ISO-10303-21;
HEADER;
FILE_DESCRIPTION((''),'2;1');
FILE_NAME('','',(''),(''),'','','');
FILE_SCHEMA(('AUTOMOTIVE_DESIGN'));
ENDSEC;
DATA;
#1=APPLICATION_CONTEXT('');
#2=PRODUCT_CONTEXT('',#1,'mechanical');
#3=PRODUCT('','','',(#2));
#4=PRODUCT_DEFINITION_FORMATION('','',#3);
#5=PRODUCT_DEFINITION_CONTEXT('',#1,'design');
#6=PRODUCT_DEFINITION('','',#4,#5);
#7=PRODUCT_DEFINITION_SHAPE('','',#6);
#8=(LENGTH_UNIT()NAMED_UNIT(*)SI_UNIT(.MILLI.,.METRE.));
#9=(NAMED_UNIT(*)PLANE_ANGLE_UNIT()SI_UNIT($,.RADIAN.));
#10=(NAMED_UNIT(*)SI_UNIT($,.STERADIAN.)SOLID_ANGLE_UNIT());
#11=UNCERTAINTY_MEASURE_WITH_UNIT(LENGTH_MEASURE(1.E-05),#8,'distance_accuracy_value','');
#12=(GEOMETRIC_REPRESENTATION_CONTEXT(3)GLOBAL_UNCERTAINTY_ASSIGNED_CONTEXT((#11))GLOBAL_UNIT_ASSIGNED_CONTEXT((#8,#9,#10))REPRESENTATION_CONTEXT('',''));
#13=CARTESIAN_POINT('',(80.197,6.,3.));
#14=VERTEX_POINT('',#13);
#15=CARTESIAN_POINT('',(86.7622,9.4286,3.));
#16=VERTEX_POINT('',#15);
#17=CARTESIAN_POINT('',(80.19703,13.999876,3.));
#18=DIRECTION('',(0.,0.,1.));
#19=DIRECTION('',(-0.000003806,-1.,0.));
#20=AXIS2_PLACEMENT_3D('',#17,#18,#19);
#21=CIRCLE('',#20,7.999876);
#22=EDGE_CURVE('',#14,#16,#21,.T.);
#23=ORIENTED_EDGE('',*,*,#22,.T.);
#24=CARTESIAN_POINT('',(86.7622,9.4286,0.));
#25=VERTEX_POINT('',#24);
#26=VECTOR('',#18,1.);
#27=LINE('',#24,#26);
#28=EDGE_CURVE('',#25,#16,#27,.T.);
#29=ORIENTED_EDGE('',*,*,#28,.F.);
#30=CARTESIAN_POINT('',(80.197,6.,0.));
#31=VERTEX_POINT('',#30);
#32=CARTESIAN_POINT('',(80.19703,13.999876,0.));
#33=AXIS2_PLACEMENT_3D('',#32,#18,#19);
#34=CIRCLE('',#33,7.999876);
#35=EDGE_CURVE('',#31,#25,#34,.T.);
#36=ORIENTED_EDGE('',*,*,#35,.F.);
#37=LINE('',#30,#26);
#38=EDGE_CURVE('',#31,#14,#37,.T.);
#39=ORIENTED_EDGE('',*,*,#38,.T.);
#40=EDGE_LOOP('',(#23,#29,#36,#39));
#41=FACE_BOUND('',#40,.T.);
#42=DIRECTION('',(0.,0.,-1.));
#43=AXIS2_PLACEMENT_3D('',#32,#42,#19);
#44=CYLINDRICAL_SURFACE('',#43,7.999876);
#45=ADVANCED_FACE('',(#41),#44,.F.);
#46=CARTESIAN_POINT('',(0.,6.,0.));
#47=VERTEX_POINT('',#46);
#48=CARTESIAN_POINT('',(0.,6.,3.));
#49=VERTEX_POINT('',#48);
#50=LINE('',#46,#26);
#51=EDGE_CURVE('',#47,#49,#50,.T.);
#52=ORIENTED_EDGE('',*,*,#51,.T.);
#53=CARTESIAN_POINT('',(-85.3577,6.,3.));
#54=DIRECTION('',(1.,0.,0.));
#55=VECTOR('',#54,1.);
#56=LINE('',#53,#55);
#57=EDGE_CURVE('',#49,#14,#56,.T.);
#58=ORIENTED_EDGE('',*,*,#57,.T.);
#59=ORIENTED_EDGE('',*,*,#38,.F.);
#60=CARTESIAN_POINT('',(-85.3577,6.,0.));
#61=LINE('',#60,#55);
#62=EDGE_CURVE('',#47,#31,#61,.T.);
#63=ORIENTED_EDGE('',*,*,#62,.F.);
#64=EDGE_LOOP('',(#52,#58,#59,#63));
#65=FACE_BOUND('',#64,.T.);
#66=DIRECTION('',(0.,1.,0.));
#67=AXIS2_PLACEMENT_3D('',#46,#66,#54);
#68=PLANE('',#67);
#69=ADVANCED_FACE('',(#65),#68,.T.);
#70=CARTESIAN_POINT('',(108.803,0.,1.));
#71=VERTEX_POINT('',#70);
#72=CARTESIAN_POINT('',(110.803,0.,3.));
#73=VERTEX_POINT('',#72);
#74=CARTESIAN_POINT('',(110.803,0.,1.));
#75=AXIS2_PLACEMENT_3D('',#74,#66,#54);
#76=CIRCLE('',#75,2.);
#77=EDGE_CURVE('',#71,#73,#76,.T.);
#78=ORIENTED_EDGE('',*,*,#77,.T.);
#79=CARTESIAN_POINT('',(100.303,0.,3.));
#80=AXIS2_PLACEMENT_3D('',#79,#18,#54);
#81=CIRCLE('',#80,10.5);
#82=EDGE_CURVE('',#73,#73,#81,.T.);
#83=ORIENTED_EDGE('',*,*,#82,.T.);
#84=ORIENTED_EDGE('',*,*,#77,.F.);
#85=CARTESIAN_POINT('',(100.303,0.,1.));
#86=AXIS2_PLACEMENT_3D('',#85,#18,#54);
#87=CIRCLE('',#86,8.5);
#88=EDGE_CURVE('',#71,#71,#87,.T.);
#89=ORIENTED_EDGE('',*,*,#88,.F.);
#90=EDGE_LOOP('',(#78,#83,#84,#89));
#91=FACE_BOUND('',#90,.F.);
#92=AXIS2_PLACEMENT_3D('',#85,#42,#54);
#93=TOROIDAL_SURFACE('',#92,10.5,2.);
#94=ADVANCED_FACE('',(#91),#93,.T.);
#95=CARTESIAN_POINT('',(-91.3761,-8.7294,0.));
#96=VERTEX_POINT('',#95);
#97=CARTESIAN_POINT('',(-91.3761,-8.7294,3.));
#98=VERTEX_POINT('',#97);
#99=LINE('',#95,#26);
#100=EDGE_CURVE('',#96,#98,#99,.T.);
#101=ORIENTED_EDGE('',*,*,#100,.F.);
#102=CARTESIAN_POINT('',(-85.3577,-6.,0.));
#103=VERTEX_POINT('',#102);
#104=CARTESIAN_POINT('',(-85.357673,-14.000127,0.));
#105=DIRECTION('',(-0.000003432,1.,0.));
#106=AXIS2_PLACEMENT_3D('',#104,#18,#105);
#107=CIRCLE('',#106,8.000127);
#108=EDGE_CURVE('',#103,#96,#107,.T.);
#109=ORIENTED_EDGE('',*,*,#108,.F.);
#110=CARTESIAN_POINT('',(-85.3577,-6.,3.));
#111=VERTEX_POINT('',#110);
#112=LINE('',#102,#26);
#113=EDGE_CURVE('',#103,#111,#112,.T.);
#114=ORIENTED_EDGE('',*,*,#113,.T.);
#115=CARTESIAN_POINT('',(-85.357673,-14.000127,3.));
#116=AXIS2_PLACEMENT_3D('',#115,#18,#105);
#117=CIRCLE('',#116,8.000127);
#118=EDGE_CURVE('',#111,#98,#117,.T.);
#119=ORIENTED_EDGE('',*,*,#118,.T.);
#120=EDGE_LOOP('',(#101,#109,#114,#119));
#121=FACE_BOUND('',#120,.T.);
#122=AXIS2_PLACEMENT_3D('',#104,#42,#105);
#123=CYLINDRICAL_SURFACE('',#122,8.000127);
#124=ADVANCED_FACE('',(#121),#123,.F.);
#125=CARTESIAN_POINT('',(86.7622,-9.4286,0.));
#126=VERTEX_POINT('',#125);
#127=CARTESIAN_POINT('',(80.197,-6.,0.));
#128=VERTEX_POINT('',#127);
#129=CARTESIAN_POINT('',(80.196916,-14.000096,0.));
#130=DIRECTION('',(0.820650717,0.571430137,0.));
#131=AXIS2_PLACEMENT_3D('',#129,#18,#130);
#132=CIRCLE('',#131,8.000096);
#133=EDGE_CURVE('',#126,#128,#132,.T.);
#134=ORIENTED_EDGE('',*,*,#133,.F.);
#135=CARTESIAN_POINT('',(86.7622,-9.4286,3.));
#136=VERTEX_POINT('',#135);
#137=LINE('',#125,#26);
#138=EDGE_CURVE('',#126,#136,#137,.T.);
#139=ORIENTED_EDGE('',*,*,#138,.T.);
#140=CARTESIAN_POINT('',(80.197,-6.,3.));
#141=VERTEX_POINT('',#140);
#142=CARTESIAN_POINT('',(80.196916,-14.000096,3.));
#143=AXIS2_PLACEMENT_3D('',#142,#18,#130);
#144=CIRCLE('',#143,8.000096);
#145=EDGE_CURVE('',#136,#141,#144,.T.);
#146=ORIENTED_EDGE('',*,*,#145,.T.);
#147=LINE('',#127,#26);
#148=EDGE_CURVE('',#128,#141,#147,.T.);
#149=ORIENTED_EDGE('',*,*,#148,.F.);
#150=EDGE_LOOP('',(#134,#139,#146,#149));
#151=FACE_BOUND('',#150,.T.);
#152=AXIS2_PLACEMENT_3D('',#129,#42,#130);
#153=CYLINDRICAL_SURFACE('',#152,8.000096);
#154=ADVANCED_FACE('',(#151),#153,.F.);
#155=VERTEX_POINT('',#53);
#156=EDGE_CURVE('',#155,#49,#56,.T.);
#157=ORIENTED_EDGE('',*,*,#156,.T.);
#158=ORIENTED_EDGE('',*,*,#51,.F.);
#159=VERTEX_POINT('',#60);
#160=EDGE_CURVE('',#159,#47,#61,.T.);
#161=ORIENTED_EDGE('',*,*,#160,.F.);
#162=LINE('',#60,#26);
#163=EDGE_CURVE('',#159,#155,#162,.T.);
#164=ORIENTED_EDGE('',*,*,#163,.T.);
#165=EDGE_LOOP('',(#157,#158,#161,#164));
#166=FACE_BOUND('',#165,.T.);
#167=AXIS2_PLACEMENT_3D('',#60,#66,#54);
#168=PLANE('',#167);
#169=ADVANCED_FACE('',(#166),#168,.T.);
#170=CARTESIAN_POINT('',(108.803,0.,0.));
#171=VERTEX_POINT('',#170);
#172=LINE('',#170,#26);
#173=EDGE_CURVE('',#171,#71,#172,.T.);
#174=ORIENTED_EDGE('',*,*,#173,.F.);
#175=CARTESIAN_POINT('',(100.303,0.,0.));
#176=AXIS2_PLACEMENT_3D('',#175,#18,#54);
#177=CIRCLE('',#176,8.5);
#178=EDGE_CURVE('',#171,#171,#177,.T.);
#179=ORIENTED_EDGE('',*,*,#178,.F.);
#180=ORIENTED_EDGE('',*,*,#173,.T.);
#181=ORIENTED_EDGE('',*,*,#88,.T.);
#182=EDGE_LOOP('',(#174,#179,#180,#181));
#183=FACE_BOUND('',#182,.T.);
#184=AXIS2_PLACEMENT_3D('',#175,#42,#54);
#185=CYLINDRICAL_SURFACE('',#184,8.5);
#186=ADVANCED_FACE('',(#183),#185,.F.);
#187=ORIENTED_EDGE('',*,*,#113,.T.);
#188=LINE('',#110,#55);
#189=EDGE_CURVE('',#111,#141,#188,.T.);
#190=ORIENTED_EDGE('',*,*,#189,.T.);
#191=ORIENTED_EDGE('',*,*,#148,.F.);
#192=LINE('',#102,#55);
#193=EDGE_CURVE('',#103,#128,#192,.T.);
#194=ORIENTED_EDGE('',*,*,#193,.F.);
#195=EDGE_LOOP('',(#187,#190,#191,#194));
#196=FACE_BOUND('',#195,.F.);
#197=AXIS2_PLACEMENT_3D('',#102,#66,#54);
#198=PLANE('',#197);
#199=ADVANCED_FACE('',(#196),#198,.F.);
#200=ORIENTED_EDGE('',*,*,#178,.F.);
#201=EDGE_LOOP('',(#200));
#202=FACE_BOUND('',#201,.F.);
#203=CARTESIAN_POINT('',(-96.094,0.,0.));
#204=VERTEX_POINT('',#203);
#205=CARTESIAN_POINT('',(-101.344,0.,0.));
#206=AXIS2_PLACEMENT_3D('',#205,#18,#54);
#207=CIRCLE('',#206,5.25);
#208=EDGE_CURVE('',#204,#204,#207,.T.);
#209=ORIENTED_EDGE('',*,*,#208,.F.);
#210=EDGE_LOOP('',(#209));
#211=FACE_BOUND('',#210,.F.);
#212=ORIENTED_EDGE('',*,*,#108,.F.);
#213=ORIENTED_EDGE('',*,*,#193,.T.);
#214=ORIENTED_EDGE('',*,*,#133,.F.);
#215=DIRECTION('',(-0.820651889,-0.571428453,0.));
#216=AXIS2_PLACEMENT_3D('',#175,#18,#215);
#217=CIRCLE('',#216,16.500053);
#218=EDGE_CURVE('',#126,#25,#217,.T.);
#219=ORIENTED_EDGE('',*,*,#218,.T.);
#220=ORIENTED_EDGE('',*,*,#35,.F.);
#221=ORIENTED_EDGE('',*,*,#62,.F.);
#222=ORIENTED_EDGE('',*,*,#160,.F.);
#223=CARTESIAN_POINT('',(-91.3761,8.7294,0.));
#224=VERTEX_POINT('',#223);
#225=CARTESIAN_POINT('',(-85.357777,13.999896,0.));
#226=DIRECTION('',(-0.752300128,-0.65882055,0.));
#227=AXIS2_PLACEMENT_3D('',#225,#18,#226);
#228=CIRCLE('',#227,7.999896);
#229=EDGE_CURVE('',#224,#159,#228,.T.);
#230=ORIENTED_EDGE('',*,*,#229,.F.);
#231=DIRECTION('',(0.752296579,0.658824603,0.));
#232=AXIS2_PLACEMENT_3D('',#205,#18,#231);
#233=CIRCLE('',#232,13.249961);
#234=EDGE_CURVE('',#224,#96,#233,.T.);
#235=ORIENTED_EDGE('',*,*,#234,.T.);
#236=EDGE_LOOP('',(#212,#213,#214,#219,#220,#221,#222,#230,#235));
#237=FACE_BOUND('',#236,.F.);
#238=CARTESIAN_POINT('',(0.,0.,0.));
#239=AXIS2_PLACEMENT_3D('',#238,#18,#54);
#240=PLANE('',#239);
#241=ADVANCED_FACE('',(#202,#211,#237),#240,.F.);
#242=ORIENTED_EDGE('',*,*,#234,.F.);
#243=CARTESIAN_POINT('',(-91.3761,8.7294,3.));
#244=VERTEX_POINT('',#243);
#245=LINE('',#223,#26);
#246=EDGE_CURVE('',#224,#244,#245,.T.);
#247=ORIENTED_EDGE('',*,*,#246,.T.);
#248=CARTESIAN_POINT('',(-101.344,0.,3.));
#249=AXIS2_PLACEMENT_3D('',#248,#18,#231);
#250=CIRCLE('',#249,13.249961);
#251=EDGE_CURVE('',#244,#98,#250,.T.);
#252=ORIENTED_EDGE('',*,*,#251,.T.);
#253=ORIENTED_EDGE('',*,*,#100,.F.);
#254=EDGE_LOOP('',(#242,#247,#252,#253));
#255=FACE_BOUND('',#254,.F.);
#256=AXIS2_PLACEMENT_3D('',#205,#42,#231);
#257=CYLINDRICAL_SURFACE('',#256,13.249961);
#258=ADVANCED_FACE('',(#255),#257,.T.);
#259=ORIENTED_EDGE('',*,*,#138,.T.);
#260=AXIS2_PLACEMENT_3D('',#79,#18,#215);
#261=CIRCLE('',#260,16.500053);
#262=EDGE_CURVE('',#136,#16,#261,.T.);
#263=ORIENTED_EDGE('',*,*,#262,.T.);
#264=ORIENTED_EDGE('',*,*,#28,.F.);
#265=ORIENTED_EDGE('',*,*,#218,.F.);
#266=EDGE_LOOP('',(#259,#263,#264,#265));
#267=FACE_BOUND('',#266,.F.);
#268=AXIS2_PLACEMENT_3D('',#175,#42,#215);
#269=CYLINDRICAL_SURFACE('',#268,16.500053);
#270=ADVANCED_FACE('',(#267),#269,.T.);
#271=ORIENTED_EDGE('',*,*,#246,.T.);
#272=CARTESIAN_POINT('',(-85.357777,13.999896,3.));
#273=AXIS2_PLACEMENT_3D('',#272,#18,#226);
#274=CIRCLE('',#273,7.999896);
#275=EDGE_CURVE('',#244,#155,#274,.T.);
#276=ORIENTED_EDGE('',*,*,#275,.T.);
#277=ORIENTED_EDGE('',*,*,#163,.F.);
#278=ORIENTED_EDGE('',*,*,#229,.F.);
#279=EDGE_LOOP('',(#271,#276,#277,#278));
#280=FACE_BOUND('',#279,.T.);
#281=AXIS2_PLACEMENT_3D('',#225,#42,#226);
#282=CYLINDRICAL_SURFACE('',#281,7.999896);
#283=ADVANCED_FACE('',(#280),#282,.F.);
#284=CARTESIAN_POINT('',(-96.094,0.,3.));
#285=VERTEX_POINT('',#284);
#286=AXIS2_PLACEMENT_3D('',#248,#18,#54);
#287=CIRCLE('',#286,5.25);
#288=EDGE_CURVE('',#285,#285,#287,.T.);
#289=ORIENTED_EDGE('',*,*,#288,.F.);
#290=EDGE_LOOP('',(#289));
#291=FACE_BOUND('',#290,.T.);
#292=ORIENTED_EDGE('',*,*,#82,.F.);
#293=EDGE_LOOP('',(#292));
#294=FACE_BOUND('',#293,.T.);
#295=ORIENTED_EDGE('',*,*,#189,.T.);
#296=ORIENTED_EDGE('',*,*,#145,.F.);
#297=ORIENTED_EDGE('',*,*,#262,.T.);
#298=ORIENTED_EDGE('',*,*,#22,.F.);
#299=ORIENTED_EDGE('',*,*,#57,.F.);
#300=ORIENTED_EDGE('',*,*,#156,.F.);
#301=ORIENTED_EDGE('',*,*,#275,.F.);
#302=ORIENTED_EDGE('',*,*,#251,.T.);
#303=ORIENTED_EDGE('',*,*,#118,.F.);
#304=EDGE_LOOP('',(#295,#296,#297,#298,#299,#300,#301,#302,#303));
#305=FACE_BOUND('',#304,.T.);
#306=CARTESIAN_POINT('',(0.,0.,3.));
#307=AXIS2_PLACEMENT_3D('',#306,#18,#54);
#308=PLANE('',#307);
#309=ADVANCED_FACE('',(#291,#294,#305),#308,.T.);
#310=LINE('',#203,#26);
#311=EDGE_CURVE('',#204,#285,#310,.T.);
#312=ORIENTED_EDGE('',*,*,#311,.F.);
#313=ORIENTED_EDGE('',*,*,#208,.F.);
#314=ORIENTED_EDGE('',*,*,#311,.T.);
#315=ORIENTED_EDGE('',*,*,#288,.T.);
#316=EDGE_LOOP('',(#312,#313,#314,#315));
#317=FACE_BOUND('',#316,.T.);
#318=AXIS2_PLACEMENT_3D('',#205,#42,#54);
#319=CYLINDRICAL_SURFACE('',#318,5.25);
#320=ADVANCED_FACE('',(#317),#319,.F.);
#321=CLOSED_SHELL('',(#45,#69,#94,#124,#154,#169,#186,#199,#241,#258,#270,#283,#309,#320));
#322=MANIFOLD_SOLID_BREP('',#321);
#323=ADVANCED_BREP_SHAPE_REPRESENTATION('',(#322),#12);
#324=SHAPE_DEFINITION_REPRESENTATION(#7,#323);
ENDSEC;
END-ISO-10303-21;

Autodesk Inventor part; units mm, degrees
ref_plane "YZ Plane" through (0, 0, 0) normal (1, 0, 0) x (0, 1, 0)
ref_plane "XZ Plane" through (0, 0, 0) normal (0, 1, 0) x (-1, 0, 0)
ref_plane "XY Plane" through (0, 0, 0) normal (0, 0, 1) x (1, 0, 0)
sketch "Sketch1" plane through (0, 0, 0) normal (0, 0, 1) x (1, 0, 0)
  line L0 (0, 0) -> (-34.0118, 0)
  line L1 (0, 0) -> (0, 29.864)
  circle A0 centre (-101.344, 0) radius 5.25
  arc A1 (-91.3761, 8.7294) -> (-91.3761, -8.7294) centre (-101.344, 0) ccw
  arc A2 (86.7622, -9.4286) -> (86.7622, 9.4286) centre (100.303, 0) ccw
  line L2 (-85.3577, 6) -> (80.197, 6)
  line L3 (-85.3577, -6) -> (80.197, -6)
  arc A3 (-91.3761, 8.7294) -> (-85.3577, 6) centre (-85.3577, 14) ccw
  arc A4 (-85.3577, -6) -> (-91.3761, -8.7294) centre (-85.3577, -14) ccw
  arc A5 (80.197, 6) -> (86.7622, 9.4286) centre (80.197, 14) ccw
  arc A6 (86.7622, -9.4286) -> (80.197, -6) centre (80.197, -14) ccw
  circle A7 centre (100.303, 0) radius 8.5
  point P0 (-89.5303, 6)
  point P1 (84.9326, 6)
  point P2 (-89.5303, -6)
  point P3 (84.9326, -6)
  dimension "d0" = 201.647
  dimension "d1" = 10.5
  dimension "d2" = 8
  dimension "d4" = 12
  dimension "d5" = 8
  dimension "d9" = 17
  dimension "d10" = 8
extrude "Extrusion1" add sketch "Sketch1" along normal blind 3
fillet "Fillet1" radius 2 1 edges at (91.803, 0, 3)
properties part number "destek bağlantısı" material "Polystyrene"
